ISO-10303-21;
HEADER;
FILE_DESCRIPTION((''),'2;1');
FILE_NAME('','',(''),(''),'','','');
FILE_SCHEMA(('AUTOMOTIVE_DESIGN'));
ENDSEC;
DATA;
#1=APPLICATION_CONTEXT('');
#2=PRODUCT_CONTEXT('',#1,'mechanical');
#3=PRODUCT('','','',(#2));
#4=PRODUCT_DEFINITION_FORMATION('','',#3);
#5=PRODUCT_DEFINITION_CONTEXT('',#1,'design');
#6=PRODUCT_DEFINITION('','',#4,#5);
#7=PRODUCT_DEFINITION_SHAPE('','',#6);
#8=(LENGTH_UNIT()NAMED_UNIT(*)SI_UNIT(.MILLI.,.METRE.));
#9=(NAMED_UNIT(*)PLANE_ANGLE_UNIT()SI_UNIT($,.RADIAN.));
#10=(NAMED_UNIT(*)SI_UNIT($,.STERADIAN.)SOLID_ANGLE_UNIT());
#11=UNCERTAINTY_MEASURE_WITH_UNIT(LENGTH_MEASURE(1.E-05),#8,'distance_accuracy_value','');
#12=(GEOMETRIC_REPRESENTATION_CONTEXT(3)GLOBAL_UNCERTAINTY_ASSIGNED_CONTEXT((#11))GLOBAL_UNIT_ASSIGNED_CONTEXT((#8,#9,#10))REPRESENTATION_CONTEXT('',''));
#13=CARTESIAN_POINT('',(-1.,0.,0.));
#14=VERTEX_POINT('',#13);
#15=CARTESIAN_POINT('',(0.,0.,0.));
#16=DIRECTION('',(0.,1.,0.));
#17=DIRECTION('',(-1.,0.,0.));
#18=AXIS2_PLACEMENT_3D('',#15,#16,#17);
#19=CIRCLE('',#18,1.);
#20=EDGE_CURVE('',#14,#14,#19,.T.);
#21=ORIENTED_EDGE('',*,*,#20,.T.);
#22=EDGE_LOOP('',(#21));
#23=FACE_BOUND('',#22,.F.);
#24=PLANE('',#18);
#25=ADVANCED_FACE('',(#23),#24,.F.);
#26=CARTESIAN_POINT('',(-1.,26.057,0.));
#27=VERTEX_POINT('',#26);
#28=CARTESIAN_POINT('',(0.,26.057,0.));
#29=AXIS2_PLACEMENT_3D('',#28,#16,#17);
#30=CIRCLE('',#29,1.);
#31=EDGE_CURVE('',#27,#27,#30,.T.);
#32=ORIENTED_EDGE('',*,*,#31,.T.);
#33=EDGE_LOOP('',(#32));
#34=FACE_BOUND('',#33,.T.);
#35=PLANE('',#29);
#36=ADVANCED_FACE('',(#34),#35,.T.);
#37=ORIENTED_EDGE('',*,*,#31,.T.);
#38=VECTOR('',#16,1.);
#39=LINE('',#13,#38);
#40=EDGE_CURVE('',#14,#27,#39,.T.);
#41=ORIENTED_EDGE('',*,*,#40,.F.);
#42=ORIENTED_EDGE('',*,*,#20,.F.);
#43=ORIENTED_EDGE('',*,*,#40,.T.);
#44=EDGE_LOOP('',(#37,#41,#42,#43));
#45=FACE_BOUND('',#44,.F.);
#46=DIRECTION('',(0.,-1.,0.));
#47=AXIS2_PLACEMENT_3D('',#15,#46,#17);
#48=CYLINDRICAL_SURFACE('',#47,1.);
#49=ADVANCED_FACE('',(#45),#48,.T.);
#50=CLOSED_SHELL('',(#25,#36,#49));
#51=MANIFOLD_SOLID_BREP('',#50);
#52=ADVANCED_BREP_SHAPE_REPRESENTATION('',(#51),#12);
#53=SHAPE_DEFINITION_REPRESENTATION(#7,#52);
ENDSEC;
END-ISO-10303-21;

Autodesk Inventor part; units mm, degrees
ref_plane "YZ Plane" through (0, 0, 0) normal (1, 0, 0) x (0, 1, 0)
ref_plane "XZ Plane" through (0, 0, 0) normal (0, 1, 0) x (-1, 0, 0)
ref_plane "XY Plane" through (0, 0, 0) normal (0, 0, 1) x (1, 0, 0)
sketch "Sketch1" plane through (0, 0, 0) normal (0, 1, 0) x (-1, 0, 0)
  circle A0 centre (0, 0) radius 1
  dimension "d0" = 2
extrude "Extrusion1" add sketch "Sketch1" along normal blind 26.057
ref_plane "Work Plane1" through (0, -30, 0) normal (0, -1, 0) x (1, 0, 0)
properties part number "LOOP2_COLL_POSTDEF1"
